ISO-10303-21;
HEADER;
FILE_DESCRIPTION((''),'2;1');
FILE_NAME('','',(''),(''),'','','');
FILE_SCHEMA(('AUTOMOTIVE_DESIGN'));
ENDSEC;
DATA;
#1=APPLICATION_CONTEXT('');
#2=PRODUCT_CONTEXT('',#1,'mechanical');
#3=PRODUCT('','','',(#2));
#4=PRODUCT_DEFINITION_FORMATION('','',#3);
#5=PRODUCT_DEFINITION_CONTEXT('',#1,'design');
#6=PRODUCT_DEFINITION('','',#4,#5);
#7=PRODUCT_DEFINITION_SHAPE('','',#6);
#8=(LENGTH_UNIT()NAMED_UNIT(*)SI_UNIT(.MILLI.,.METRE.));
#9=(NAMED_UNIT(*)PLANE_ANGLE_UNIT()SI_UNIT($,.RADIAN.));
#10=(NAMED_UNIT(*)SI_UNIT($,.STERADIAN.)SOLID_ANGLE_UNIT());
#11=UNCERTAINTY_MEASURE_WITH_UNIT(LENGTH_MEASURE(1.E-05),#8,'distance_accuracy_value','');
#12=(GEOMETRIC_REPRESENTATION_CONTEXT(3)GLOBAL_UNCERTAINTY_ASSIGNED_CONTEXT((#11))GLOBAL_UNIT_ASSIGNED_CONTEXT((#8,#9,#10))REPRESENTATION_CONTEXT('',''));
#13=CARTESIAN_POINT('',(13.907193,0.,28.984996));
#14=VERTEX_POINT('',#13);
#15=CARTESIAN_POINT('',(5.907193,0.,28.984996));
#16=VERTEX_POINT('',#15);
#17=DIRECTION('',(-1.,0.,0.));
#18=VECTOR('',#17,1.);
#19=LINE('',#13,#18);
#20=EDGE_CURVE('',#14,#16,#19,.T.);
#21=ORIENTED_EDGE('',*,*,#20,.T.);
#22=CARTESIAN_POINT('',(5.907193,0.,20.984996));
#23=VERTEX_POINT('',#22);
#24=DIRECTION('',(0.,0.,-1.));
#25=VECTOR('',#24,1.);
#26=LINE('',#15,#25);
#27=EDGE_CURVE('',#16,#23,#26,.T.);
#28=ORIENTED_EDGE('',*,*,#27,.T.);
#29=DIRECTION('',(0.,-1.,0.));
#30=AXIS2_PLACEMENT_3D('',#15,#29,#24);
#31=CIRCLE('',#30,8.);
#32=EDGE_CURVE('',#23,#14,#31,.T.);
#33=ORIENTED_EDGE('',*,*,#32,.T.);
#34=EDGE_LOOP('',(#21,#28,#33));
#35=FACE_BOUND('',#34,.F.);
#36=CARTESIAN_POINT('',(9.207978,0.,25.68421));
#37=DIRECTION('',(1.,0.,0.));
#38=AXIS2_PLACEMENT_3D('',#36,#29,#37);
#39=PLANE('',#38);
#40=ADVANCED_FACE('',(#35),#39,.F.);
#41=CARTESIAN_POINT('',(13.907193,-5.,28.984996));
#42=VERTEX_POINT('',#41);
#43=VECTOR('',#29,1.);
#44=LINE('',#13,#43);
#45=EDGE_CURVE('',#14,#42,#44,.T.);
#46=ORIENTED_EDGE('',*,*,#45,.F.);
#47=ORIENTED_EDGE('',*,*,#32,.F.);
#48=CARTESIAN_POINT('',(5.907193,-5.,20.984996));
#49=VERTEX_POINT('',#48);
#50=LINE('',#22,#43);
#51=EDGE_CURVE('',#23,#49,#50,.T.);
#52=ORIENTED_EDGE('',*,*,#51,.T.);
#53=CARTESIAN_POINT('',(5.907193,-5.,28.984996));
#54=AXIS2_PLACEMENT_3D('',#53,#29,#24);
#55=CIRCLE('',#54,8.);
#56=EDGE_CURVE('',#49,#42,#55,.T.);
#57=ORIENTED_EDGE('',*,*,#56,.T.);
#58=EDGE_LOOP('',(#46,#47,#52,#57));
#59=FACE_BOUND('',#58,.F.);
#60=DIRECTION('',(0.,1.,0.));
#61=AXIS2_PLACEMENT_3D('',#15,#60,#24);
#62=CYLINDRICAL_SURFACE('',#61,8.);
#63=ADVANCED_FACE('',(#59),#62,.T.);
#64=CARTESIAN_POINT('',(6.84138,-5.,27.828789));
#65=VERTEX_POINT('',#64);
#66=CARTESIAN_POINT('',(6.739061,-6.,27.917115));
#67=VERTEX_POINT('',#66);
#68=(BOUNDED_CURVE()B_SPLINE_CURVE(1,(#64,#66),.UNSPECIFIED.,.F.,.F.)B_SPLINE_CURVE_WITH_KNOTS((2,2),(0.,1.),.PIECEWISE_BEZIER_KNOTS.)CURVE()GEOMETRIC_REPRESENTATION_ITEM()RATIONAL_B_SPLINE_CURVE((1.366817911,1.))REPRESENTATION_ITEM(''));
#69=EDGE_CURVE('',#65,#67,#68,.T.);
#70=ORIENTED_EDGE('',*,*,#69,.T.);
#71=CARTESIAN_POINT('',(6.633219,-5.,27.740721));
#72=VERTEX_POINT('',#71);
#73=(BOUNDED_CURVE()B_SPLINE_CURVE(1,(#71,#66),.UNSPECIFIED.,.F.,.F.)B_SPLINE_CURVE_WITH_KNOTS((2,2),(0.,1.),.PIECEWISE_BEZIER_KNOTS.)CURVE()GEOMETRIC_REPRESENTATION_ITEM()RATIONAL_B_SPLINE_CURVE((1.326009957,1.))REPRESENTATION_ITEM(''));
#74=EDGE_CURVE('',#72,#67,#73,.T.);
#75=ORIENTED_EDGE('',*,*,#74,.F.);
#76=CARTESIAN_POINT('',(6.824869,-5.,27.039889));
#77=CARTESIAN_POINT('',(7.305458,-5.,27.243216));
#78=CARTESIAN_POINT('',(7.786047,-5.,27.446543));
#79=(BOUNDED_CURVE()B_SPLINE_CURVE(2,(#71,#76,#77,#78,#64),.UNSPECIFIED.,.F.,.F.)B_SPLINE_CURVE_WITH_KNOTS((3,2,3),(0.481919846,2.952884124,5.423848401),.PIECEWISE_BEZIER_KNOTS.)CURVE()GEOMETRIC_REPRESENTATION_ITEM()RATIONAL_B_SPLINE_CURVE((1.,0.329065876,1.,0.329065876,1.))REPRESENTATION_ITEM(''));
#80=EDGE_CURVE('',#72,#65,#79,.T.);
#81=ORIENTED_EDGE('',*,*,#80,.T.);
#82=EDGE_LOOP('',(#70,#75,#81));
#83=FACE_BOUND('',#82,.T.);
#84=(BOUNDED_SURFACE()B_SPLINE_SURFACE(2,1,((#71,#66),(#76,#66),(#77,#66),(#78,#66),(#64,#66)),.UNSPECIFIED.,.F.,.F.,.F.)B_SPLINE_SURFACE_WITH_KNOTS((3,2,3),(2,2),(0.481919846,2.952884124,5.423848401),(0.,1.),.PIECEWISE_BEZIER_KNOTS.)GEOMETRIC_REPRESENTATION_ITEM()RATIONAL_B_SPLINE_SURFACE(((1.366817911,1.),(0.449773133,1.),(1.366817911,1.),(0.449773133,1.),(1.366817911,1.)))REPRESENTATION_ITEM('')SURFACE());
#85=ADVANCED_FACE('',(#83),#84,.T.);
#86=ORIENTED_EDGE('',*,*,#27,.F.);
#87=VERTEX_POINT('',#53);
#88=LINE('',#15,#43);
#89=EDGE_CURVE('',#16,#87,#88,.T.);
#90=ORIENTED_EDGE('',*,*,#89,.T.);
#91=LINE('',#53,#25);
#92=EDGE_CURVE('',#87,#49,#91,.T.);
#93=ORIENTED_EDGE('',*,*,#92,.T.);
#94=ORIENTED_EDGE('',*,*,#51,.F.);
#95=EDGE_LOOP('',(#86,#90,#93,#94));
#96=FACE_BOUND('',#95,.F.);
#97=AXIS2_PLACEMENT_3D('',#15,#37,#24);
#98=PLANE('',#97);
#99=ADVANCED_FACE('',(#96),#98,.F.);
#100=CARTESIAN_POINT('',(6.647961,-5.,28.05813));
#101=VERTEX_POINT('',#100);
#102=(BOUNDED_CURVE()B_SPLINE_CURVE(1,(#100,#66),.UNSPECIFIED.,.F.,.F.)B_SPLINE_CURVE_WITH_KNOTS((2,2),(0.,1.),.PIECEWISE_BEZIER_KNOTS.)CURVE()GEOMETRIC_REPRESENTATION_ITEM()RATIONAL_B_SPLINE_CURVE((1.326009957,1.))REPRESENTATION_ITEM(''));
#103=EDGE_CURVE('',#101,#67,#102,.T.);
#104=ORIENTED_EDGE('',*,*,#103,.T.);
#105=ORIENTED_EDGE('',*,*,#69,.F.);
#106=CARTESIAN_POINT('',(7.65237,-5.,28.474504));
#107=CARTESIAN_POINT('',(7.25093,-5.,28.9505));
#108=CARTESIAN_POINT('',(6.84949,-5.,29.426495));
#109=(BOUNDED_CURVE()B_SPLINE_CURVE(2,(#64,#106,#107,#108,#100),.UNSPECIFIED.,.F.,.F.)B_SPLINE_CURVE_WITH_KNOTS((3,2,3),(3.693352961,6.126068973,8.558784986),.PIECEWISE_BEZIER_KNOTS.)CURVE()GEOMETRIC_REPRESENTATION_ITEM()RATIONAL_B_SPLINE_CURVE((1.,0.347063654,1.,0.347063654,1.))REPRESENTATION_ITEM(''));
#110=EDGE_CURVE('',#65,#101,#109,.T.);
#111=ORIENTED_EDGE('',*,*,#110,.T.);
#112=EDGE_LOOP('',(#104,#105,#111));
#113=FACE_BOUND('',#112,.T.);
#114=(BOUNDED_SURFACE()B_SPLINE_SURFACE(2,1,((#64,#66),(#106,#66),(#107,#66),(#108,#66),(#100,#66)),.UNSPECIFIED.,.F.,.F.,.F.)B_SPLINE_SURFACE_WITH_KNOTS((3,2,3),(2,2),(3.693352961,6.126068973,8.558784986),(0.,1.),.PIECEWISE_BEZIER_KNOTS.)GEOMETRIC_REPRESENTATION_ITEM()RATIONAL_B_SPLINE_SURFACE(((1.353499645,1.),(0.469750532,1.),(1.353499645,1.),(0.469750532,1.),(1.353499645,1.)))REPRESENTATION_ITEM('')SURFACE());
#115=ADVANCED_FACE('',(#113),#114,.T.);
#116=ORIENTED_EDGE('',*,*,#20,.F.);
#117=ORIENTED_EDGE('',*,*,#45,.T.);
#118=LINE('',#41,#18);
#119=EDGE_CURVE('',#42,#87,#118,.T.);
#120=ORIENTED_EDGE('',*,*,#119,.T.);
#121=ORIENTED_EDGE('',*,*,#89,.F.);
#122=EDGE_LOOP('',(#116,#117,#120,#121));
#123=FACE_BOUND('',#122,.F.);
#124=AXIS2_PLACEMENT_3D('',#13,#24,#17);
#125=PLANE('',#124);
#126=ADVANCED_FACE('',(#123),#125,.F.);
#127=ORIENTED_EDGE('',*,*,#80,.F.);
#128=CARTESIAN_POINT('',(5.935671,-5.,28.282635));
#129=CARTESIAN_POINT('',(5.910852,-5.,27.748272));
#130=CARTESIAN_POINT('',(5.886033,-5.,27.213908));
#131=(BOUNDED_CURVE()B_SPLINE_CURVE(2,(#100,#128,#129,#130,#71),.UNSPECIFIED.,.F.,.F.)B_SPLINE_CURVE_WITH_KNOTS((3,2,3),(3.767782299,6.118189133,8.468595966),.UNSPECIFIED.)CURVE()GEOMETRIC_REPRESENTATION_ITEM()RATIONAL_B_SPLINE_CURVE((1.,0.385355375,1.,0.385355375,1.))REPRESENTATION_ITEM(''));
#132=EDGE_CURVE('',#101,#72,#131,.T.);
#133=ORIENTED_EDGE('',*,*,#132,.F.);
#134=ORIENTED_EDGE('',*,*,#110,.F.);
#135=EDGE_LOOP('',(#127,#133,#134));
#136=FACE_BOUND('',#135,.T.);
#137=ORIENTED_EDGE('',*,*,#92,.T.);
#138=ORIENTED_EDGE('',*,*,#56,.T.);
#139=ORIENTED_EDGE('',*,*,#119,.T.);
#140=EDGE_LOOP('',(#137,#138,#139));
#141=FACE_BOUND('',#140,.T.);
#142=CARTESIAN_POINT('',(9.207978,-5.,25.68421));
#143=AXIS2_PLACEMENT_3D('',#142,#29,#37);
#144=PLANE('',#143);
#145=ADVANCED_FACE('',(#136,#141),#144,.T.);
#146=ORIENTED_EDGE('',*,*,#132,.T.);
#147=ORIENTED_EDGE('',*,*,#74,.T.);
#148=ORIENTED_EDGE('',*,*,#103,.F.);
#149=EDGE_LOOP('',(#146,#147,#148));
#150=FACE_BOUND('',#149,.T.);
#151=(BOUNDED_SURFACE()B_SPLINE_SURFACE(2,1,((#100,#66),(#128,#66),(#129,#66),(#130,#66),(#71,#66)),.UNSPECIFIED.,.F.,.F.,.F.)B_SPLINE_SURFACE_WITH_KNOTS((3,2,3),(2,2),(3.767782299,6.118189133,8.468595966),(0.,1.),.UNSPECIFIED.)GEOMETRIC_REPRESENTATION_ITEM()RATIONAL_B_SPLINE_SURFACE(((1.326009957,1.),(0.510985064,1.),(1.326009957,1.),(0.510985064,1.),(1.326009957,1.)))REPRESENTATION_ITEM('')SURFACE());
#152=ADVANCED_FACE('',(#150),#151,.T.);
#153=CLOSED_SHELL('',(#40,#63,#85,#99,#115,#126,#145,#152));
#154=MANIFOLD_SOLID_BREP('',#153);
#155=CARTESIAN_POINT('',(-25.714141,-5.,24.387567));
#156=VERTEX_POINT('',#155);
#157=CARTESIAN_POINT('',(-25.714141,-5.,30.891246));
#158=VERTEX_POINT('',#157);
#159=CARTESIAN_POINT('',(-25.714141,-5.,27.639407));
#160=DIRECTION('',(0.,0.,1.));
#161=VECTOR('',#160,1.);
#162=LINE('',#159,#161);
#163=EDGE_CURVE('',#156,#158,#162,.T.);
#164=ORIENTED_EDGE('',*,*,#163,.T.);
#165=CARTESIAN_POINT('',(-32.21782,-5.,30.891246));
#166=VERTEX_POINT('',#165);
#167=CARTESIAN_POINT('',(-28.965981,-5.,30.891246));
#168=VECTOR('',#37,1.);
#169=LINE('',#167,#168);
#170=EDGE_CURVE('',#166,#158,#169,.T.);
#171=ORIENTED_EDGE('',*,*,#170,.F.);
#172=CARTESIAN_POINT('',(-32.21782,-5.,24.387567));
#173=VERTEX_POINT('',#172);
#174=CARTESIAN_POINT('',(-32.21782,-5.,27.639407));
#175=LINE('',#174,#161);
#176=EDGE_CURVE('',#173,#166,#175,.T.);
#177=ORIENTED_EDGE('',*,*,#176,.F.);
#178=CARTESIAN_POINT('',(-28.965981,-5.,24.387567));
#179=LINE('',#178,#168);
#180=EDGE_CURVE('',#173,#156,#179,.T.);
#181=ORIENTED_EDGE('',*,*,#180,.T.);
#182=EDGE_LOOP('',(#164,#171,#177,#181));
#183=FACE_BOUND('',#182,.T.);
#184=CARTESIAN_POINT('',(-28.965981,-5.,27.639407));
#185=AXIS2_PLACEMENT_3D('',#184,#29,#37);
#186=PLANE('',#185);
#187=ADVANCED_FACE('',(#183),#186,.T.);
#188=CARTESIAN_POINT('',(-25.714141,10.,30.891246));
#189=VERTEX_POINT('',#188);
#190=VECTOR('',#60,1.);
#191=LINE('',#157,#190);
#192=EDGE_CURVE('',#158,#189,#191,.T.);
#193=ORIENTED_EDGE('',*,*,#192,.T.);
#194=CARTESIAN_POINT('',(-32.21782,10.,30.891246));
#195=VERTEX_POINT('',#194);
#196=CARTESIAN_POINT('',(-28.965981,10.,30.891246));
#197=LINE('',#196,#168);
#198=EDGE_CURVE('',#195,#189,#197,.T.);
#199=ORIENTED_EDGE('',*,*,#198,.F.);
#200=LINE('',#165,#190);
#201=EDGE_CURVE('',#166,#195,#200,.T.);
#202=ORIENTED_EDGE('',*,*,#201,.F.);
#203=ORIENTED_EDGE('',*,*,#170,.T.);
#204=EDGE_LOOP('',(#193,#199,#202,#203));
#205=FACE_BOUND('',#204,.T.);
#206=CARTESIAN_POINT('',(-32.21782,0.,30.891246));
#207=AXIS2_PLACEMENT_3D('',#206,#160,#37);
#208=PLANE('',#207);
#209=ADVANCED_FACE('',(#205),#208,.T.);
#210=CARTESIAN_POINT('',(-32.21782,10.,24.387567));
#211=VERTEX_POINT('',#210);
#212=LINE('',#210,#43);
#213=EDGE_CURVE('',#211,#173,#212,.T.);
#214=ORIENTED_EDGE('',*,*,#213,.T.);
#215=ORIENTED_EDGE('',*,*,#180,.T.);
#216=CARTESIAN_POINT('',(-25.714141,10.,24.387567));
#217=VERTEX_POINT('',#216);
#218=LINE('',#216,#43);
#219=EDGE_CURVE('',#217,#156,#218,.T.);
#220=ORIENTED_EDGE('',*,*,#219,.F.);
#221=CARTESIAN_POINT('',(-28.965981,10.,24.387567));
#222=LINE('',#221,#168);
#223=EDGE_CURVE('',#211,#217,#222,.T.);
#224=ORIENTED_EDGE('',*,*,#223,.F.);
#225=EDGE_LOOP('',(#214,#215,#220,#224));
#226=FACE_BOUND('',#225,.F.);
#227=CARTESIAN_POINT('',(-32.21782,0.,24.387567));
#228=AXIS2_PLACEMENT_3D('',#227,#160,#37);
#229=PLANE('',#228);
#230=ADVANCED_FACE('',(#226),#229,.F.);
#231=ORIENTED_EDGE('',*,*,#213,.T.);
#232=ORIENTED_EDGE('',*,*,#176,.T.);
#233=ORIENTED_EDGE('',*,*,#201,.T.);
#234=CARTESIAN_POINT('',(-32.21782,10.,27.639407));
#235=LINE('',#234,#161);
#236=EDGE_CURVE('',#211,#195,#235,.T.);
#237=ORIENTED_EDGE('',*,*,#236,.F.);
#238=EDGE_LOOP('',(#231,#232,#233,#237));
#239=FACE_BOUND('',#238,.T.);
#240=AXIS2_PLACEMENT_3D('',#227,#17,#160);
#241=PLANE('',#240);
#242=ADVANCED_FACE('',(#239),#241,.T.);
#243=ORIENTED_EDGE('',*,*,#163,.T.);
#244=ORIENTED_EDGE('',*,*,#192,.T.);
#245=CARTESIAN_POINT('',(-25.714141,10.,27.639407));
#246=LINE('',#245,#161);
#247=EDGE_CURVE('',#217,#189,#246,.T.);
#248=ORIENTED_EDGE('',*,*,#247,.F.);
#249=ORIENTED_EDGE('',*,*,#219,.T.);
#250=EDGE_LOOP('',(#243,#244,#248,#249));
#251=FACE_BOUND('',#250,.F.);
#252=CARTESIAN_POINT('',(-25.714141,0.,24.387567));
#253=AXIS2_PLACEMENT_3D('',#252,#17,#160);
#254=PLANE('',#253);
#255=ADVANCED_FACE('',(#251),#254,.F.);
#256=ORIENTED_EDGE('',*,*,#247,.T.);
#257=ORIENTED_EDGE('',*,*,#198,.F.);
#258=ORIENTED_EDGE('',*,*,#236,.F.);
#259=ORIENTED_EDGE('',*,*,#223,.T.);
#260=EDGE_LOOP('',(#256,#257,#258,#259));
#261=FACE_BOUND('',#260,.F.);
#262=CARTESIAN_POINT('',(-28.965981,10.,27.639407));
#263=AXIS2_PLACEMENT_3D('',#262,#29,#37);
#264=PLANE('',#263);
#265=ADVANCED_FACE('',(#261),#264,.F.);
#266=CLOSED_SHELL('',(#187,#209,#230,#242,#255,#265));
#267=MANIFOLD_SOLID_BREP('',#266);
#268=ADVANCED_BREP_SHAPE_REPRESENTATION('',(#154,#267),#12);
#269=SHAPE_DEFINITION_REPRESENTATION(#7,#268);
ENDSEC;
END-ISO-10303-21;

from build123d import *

# Parameters (mm, degrees)
F0_W     = 6.5036790227
F0_H     = 6.5036790227
F1_DEPTH = 10
F2_DEPTH = 5


with BuildPart() as f1:
    # F0 (on Front) → F1 (new body)
    with BuildSketch(Plane.XZ):
        with Locations((-28.9659805889, 27.6394066744)):
            Rectangle(F0_W, F0_H)
    extrude(amount=-F1_DEPTH)

    # F0 (on Front) → F2 (join)
    with BuildSketch(Plane.XZ):
        with Locations((-28.9659805889, 27.6394066744)):
            Rectangle(F0_W, F0_H)
    extrude(amount=F2_DEPTH)


with BuildPart() as f2:
    # F0 (on Front) → F2, piece 2 (new body)
    with BuildSketch(Plane.XZ):
        with BuildLine():
            Line((5.907193023, 28.9849955589), (5.907193023, 20.9849955589))
            ThreePointArc((5.907193023, 20.9849955589), (11.5640472725, 23.3281413094), (13.907193023, 28.9849955589))
            Line((13.907193023, 28.9849955589), (5.907193023, 28.9849955589))
        make_face()
    extrude(amount=F2_DEPTH)

    # F6 (on face) → F8 section 0
    with BuildSketch(Plane.XZ.offset(5), mode=Mode.PRIVATE) as f8_s0:
        with BuildLine():
            add(Edge.make_bspline(
                [(6.6479614238, 28.0581297102), (5.9356706234, 28.2826348309), (5.9108519817, 27.748271656), (5.8860333399, 27.213908481), (6.6332192732, 27.7407206239)],
                knots=[3.7677822989, 3.7677822989, 3.7677822989, 6.1181891325, 6.1181891325, 8.4685959662, 8.4685959662, 8.4685959662], degree=2, weights=[1, 0.385355375, 1, 0.385355375, 1]))
            add(Edge.make_bspline(
                [(6.6332192732, 27.7407206239), (6.8248689432, 27.0398889972), (7.3054578977, 27.2432157851), (7.7860468523, 27.446542573), (6.8413803251, 27.8287890608)],
                knots=[0.4819198463, 0.4819198463, 0.4819198463, 2.9528841236, 2.9528841236, 5.4238484009, 5.4238484009, 5.4238484009], degree=2, weights=[1, 0.3290658762, 1, 0.3290658762, 1]))
            add(Edge.make_bspline(
                [(6.8413803251, 27.8287890608), (7.6523704282, 28.4745041463), (7.2509304212, 28.95049957), (6.8494904141, 29.4264949938), (6.6479614238, 28.0581297102)],
                knots=[3.6933529609, 3.6933529609, 3.6933529609, 6.1260689733, 6.1260689733, 8.5587849857, 8.5587849857, 8.5587849857], degree=2, weights=[1, 0.3470636537, 1, 0.3470636537, 1]))
        make_face()
    loft([f8_s0.sketch, Vertex(6.7390613258, -6, 27.9171150178)])


solid = Compound([f1.part, f2.part])
